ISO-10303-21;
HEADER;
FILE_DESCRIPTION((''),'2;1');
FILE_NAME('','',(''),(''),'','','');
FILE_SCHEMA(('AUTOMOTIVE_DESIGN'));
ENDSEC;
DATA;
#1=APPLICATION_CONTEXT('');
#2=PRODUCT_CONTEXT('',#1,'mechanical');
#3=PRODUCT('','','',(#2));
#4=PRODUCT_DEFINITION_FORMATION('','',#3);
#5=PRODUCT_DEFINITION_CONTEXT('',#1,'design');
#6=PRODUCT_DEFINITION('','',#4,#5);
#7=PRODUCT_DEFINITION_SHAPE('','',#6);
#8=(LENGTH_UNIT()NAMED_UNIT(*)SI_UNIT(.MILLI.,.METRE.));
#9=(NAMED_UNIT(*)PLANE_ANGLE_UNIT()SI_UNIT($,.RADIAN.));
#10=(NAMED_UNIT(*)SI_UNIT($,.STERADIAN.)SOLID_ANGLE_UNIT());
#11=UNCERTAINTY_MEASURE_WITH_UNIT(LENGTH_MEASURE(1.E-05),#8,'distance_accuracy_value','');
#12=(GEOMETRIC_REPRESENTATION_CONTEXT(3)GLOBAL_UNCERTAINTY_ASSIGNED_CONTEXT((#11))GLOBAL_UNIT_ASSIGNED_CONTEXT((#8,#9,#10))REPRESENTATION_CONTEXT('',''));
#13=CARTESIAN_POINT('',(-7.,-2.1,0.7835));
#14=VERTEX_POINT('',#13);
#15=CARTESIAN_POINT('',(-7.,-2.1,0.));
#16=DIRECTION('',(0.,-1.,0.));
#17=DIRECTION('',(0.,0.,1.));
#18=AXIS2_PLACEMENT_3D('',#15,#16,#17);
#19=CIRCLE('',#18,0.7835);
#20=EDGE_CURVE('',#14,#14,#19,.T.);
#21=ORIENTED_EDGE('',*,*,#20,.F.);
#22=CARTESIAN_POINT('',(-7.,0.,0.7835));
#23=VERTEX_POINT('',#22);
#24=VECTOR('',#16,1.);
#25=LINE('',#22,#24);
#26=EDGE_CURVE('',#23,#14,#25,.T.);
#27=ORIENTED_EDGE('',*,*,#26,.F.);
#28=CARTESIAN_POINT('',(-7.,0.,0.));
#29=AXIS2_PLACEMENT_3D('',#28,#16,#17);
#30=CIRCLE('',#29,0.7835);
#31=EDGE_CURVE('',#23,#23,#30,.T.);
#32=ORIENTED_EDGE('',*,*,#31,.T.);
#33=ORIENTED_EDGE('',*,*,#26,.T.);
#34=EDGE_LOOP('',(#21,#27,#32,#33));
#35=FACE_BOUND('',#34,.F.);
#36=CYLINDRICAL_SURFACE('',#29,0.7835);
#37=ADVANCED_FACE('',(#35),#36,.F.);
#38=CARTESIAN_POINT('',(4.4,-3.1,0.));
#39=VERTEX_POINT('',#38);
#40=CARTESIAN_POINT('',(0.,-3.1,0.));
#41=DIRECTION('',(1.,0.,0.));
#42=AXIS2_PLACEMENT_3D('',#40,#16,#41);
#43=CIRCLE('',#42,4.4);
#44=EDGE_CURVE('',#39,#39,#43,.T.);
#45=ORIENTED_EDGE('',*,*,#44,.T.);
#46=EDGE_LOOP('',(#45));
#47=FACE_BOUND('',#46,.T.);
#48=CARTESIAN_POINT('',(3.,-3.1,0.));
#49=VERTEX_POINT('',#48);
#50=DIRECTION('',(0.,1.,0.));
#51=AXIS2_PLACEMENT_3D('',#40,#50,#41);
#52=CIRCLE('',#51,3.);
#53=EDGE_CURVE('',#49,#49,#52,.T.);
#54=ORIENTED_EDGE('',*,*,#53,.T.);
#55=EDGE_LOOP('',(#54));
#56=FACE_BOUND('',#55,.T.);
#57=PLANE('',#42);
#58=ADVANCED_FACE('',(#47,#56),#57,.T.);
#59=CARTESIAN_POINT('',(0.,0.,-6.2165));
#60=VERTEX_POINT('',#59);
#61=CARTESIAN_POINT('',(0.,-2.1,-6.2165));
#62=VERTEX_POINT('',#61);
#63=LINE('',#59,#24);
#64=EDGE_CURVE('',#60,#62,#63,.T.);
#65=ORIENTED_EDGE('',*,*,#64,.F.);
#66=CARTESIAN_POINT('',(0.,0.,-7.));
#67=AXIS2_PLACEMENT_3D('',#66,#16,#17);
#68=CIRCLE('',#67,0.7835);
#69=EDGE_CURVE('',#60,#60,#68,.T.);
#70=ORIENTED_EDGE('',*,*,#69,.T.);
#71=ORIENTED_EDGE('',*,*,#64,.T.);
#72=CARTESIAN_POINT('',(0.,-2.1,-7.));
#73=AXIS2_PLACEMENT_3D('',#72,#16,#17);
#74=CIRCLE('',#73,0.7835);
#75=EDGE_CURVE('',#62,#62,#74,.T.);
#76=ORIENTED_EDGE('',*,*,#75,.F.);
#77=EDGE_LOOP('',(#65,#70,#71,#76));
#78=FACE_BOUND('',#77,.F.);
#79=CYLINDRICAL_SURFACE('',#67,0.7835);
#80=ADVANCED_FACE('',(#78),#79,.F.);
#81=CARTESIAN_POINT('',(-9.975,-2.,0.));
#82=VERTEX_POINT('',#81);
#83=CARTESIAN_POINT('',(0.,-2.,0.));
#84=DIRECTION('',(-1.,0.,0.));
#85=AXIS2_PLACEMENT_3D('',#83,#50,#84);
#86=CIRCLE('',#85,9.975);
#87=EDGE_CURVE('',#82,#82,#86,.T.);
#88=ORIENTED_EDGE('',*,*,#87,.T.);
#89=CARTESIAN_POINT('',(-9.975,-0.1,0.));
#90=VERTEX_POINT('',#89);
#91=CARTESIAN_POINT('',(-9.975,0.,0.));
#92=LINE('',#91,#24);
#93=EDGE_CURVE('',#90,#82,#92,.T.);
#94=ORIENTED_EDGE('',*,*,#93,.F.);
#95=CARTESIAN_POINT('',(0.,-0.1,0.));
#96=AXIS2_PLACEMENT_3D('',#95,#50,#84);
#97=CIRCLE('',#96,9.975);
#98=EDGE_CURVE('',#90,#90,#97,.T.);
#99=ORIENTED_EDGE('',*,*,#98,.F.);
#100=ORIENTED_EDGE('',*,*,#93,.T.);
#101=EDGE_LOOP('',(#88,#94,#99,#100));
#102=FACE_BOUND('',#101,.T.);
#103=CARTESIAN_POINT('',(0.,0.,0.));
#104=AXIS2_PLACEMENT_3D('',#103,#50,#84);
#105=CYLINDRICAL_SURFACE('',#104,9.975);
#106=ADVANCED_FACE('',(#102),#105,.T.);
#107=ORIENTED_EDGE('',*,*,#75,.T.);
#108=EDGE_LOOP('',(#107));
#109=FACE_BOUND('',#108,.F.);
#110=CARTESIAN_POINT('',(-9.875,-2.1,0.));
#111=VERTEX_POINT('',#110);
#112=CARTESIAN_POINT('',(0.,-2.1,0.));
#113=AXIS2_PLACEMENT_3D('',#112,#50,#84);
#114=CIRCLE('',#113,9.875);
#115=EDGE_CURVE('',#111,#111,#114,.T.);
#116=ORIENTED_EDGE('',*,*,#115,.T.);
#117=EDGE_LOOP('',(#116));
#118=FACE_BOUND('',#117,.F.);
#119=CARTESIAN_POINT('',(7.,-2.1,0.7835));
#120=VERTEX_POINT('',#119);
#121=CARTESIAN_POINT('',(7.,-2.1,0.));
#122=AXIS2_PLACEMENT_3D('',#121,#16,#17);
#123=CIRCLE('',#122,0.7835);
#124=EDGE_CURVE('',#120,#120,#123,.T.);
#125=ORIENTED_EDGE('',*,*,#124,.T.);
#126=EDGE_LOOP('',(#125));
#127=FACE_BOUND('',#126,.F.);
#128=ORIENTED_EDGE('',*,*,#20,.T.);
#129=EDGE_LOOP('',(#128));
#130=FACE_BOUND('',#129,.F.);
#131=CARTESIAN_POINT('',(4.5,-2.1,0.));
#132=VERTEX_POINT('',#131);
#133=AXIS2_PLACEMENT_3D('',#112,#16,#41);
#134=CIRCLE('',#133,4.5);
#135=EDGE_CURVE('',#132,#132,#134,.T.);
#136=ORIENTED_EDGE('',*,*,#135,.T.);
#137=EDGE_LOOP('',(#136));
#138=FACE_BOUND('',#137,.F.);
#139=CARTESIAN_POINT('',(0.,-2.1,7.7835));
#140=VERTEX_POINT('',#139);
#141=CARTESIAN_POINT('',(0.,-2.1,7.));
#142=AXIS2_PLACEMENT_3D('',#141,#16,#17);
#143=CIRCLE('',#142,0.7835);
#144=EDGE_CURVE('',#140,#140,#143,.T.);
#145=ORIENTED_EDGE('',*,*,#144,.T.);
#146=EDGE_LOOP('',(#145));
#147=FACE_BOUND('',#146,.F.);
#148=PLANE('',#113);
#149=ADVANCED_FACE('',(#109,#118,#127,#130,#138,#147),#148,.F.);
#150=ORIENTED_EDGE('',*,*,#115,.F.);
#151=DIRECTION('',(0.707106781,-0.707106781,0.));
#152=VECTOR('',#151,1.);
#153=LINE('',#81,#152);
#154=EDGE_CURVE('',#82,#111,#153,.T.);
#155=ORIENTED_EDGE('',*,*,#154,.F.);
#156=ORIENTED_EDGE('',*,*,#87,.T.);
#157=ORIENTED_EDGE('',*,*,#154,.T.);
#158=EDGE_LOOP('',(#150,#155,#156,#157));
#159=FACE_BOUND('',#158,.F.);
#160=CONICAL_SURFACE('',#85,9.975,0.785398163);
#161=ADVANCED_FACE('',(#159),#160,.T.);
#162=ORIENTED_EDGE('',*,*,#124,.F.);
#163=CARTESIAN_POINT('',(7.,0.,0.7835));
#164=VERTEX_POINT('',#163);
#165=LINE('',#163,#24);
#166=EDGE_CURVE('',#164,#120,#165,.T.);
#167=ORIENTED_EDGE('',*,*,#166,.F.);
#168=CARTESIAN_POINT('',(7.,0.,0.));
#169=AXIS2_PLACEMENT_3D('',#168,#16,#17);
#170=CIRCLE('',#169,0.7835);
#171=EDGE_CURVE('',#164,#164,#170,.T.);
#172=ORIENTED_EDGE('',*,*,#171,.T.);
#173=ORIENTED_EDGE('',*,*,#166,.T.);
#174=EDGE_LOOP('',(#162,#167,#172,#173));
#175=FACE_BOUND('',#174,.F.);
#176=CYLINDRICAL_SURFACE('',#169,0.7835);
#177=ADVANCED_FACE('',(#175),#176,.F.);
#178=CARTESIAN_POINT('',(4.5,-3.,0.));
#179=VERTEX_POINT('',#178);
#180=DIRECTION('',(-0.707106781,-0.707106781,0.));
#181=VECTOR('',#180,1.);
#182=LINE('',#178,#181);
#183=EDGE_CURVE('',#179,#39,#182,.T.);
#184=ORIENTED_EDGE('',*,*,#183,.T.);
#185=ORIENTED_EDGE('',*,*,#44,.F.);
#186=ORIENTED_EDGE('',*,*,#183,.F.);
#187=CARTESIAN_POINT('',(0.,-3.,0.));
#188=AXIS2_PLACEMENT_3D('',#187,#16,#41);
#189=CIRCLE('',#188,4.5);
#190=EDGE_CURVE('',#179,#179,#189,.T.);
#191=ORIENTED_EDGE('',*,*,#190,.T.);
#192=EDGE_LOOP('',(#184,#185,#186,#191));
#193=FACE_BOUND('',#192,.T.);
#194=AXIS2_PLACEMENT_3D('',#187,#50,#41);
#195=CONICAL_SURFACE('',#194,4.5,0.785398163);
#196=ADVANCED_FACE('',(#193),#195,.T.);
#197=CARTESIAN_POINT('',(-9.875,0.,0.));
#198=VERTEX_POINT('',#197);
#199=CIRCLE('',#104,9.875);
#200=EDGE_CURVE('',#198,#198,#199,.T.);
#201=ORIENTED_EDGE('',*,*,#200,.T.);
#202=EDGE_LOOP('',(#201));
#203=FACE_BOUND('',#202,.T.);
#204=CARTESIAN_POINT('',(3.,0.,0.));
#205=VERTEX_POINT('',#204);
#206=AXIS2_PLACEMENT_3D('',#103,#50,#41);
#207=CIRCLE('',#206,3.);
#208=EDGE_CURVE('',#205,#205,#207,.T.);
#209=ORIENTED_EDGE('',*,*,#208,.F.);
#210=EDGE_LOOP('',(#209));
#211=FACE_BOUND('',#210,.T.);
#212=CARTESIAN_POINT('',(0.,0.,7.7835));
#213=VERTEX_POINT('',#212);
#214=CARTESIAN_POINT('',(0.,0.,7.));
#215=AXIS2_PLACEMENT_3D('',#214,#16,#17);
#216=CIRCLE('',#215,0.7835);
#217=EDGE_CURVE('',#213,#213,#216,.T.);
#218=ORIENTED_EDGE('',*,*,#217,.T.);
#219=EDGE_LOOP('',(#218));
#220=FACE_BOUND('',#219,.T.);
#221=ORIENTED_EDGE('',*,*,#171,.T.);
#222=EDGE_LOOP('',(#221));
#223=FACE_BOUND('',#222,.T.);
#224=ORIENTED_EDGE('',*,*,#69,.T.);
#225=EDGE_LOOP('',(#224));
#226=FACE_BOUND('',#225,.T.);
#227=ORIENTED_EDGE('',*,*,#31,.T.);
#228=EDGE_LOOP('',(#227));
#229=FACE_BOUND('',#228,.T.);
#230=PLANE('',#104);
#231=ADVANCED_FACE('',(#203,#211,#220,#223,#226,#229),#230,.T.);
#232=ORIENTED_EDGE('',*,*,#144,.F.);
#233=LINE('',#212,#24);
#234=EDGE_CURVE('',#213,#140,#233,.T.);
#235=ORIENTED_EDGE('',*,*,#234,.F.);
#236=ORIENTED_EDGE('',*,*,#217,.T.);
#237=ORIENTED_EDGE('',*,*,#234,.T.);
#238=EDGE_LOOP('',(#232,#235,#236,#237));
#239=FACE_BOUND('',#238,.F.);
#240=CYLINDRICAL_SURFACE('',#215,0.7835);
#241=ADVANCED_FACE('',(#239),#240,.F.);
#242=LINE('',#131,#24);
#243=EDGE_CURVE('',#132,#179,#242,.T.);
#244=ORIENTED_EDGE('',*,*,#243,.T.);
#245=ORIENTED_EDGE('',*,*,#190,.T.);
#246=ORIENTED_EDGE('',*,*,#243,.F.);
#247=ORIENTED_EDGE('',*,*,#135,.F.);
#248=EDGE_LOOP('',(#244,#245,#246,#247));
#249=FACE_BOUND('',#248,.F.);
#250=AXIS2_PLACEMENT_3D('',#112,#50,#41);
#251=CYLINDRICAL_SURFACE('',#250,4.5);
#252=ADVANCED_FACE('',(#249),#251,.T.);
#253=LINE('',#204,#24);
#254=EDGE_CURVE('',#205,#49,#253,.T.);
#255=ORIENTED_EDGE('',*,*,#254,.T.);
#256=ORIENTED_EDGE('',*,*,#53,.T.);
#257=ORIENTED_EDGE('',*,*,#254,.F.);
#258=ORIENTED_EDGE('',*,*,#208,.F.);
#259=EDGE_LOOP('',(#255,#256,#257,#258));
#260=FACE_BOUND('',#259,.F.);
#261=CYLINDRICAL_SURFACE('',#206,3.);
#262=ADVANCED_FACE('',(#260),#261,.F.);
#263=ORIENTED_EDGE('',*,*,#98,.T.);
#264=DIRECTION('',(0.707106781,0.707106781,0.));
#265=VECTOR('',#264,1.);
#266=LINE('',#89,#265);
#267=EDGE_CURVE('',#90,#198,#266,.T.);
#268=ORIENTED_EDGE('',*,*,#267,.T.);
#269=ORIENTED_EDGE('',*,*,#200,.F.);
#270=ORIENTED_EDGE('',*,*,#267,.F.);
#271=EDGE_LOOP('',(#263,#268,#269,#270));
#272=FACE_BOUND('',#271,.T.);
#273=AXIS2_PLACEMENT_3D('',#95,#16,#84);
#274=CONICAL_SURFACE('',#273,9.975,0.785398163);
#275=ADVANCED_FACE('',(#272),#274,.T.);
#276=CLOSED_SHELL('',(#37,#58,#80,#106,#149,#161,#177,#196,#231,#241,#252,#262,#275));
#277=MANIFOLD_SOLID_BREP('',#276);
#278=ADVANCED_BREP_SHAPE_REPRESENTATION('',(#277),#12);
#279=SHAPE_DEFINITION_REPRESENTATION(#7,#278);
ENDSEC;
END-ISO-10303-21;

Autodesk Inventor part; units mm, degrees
ref_plane "YZ Plane" through (0, 0, 0) normal (1, 0, 0) x (0, 1, 0)
ref_plane "XZ Plane" through (0, 0, 0) normal (0, 1, 0) x (-1, 0, 0)
ref_plane "XY Plane" through (0, 0, 0) normal (0, 0, 1) x (1, 0, 0)
sketch "Sketch1" plane through (0, 0, 0) normal (0, 1, 0) x (-1, 0, 0)
  circle A0 centre (0, 0) radius 9.975
  dimension "d0" = 19.95
extrude "Extrusion1" add sketch "Sketch1" against normal blind 2.1
sketch "Sketch2" plane through (0, -2.1, 0) normal (0, -1, 0) x (1, 0, 0)
  circle A0 centre (0, 0) radius 4.5
  dimension "d3" = 9
extrude "Extrusion2" add sketch "Sketch2" along normal blind 1
sketch "Sketch3" plane through (0, 0, 0) normal (0, 1, 0) x (1, 0, 0)
  circle A0 centre (0, 0) radius 3
  dimension "d6" = 6
extrude "Extrusion3" cut sketch "Sketch3" against normal through all
chamfer "Chamfer1" distance 0.1 angle 45 3 edges at (9.975, 0, 0) (9.975, -2.1, 0) (-4.5, -3.1, 0)
sketch "Sketch4" plane through (0, 0, 0) normal (0, 1, 0) x (1, 0, 0)
  circle A0 centre (0, 0) radius 7
  point P0 (-7, 0)
  point P1 (7, 0)
  point P2 (0, -7)
  point P3 (0, 7)
  dimension "d12" = 14
hole "Hole1" at (7, 0, 0) at (0, 0, 7) at (0, 0, -7) at (-7, 0, 0) direction (0, -1, 0) diameter 1.567 end through all thread size "M2x0.4" class "6H" standard "ISO Metric profile"
properties part number "Bottom Horn" material "Aluminum 6061"
